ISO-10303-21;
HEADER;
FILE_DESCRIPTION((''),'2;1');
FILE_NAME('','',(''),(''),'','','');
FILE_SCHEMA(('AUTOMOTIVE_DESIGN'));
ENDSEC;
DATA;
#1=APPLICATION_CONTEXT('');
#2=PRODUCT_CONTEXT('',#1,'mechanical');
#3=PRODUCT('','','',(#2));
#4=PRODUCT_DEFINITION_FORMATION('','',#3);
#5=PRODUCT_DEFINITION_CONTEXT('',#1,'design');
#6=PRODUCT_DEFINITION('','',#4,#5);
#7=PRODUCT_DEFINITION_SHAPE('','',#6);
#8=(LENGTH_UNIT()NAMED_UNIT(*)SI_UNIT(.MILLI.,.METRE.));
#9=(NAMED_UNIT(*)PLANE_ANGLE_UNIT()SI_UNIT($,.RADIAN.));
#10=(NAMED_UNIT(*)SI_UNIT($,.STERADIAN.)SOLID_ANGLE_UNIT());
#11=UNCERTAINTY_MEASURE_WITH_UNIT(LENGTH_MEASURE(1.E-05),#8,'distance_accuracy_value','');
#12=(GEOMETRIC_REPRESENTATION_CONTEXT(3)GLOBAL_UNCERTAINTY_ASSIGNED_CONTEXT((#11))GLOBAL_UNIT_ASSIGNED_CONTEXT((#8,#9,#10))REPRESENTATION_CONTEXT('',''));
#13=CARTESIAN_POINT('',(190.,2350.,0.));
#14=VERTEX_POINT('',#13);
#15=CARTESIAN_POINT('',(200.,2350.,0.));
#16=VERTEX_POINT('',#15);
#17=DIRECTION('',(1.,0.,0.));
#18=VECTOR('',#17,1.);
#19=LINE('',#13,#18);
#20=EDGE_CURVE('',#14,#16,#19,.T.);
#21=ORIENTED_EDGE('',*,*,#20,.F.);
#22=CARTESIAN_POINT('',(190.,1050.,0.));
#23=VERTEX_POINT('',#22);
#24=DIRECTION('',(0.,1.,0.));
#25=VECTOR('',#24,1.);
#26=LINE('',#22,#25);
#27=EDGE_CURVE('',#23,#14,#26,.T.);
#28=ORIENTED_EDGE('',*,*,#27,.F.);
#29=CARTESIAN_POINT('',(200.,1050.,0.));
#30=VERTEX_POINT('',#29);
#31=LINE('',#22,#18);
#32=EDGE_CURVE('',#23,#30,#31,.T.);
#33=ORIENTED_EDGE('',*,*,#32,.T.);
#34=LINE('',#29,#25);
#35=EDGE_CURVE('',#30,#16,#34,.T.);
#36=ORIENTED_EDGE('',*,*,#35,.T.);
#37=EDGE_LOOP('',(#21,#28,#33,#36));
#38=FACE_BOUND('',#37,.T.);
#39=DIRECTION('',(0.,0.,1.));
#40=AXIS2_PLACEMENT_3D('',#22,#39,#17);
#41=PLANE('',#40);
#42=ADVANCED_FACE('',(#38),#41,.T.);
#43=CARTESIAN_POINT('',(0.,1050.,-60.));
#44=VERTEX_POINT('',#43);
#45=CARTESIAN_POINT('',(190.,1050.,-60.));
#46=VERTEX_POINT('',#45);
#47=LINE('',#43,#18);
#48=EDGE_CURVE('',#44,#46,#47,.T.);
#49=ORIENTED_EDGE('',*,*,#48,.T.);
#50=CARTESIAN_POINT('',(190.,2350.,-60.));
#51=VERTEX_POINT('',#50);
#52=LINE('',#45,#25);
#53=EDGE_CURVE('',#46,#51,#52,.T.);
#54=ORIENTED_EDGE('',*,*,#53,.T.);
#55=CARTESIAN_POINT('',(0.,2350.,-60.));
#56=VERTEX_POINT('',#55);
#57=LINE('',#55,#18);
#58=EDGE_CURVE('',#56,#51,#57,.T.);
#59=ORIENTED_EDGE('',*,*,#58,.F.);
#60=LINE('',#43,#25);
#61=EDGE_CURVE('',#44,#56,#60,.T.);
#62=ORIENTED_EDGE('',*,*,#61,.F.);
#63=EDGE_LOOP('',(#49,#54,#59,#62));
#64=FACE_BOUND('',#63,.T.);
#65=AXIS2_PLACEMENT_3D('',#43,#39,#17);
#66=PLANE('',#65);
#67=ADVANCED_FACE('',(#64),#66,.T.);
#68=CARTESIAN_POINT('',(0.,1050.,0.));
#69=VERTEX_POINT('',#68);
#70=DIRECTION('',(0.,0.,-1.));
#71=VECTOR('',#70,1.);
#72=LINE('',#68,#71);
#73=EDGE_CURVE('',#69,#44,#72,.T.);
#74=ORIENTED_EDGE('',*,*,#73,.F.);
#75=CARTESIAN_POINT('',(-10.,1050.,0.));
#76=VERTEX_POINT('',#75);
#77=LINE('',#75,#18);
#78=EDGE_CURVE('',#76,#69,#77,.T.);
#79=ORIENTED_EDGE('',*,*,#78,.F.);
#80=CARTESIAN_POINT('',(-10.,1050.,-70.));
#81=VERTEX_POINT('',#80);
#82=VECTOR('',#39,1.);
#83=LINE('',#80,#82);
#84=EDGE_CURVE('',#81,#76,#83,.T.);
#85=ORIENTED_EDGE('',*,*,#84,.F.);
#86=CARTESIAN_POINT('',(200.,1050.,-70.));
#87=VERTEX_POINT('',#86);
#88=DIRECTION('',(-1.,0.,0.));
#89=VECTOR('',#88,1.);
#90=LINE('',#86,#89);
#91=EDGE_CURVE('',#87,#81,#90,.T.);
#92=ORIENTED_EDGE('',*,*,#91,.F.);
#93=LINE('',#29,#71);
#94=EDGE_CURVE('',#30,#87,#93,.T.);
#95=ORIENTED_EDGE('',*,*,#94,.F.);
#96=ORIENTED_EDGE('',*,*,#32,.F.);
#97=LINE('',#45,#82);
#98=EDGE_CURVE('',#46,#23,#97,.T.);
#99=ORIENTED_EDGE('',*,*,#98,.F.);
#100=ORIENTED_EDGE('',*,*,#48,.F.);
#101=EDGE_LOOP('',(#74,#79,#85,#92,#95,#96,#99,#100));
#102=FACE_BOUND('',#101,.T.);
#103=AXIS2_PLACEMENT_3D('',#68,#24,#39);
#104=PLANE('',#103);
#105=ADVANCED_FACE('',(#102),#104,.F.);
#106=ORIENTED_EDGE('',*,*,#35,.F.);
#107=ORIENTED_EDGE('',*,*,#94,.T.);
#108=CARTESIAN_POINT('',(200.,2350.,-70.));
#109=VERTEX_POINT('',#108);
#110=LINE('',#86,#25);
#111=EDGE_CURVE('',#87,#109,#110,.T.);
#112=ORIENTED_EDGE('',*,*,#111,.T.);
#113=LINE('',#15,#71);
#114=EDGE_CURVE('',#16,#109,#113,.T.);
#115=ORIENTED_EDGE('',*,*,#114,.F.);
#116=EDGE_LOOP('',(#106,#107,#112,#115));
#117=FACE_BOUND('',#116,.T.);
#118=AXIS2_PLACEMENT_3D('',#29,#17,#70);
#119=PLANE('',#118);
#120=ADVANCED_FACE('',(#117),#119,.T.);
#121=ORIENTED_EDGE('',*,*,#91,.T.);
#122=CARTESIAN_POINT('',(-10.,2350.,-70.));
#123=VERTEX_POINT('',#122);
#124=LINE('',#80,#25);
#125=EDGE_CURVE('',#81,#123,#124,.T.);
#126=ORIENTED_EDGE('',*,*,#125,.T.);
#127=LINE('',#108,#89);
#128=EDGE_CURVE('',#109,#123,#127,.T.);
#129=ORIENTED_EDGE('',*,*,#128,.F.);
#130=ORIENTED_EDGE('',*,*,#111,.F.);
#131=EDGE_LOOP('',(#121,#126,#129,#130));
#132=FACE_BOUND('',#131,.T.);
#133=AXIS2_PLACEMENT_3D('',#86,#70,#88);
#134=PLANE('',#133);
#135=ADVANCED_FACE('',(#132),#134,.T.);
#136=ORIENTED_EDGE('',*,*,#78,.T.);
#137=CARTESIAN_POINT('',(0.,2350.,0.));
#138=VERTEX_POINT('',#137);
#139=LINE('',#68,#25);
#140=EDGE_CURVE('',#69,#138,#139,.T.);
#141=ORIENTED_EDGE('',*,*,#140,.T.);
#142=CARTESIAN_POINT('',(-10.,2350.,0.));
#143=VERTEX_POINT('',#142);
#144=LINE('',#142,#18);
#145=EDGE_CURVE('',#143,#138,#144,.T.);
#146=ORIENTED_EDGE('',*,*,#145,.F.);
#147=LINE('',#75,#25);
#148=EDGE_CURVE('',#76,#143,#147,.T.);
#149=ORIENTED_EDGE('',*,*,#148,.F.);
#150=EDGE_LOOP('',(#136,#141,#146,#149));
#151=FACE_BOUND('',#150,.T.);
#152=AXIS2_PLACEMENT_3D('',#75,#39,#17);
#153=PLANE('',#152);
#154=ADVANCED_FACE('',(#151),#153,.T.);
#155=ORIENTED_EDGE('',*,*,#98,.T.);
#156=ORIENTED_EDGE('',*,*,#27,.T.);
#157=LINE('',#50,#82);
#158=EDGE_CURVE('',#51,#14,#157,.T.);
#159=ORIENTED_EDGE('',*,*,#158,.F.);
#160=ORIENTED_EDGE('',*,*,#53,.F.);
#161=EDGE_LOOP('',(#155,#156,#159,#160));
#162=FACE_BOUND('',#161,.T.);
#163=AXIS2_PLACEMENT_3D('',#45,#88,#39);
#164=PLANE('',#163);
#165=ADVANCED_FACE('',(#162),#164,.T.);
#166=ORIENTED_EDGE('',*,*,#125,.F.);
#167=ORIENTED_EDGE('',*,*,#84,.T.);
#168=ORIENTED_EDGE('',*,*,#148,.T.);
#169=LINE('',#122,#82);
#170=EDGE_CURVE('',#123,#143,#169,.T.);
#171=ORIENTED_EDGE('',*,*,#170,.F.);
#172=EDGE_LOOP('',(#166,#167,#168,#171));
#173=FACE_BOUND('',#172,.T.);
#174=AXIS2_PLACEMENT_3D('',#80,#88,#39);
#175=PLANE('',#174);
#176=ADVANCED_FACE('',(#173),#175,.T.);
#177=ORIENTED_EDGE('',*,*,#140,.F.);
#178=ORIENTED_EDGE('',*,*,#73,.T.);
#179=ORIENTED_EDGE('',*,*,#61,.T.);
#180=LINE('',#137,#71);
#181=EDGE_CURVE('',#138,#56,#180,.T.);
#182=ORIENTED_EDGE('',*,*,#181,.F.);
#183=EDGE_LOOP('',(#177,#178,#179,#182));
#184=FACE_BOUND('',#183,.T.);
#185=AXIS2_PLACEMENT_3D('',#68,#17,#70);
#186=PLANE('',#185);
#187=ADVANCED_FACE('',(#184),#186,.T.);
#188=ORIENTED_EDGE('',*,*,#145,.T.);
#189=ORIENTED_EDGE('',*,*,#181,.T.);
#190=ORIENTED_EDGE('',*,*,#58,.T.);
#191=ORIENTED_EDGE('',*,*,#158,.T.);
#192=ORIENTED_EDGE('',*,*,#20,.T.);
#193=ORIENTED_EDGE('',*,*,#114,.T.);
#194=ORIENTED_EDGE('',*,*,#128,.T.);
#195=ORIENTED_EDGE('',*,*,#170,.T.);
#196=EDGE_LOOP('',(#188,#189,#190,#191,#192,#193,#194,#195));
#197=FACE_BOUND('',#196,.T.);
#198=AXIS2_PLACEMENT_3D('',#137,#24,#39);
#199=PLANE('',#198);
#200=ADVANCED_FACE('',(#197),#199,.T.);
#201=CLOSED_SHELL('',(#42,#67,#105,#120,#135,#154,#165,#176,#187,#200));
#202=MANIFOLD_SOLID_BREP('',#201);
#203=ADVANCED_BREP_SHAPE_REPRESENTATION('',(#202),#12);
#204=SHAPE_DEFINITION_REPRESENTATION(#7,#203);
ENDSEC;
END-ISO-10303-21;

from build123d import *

# Parameters (mm, degrees)
BOSS_EXTRUDE1_DEPTH = 1300


with BuildPart() as part:
    # Sketch1 → Boss-Extrude1 (new body)
    with BuildSketch(Plane(origin=(0, 2350, 0), x_dir=(1, 0, 0), z_dir=(0, 1, 0))):
        Polygon((-10, 70), (-10, 0), (0, 0), (0, 60), (190, 60), (190, 0), (200, 0), (200, 70), align=None)
    extrude(amount=-BOSS_EXTRUDE1_DEPTH)


solid = part.part
